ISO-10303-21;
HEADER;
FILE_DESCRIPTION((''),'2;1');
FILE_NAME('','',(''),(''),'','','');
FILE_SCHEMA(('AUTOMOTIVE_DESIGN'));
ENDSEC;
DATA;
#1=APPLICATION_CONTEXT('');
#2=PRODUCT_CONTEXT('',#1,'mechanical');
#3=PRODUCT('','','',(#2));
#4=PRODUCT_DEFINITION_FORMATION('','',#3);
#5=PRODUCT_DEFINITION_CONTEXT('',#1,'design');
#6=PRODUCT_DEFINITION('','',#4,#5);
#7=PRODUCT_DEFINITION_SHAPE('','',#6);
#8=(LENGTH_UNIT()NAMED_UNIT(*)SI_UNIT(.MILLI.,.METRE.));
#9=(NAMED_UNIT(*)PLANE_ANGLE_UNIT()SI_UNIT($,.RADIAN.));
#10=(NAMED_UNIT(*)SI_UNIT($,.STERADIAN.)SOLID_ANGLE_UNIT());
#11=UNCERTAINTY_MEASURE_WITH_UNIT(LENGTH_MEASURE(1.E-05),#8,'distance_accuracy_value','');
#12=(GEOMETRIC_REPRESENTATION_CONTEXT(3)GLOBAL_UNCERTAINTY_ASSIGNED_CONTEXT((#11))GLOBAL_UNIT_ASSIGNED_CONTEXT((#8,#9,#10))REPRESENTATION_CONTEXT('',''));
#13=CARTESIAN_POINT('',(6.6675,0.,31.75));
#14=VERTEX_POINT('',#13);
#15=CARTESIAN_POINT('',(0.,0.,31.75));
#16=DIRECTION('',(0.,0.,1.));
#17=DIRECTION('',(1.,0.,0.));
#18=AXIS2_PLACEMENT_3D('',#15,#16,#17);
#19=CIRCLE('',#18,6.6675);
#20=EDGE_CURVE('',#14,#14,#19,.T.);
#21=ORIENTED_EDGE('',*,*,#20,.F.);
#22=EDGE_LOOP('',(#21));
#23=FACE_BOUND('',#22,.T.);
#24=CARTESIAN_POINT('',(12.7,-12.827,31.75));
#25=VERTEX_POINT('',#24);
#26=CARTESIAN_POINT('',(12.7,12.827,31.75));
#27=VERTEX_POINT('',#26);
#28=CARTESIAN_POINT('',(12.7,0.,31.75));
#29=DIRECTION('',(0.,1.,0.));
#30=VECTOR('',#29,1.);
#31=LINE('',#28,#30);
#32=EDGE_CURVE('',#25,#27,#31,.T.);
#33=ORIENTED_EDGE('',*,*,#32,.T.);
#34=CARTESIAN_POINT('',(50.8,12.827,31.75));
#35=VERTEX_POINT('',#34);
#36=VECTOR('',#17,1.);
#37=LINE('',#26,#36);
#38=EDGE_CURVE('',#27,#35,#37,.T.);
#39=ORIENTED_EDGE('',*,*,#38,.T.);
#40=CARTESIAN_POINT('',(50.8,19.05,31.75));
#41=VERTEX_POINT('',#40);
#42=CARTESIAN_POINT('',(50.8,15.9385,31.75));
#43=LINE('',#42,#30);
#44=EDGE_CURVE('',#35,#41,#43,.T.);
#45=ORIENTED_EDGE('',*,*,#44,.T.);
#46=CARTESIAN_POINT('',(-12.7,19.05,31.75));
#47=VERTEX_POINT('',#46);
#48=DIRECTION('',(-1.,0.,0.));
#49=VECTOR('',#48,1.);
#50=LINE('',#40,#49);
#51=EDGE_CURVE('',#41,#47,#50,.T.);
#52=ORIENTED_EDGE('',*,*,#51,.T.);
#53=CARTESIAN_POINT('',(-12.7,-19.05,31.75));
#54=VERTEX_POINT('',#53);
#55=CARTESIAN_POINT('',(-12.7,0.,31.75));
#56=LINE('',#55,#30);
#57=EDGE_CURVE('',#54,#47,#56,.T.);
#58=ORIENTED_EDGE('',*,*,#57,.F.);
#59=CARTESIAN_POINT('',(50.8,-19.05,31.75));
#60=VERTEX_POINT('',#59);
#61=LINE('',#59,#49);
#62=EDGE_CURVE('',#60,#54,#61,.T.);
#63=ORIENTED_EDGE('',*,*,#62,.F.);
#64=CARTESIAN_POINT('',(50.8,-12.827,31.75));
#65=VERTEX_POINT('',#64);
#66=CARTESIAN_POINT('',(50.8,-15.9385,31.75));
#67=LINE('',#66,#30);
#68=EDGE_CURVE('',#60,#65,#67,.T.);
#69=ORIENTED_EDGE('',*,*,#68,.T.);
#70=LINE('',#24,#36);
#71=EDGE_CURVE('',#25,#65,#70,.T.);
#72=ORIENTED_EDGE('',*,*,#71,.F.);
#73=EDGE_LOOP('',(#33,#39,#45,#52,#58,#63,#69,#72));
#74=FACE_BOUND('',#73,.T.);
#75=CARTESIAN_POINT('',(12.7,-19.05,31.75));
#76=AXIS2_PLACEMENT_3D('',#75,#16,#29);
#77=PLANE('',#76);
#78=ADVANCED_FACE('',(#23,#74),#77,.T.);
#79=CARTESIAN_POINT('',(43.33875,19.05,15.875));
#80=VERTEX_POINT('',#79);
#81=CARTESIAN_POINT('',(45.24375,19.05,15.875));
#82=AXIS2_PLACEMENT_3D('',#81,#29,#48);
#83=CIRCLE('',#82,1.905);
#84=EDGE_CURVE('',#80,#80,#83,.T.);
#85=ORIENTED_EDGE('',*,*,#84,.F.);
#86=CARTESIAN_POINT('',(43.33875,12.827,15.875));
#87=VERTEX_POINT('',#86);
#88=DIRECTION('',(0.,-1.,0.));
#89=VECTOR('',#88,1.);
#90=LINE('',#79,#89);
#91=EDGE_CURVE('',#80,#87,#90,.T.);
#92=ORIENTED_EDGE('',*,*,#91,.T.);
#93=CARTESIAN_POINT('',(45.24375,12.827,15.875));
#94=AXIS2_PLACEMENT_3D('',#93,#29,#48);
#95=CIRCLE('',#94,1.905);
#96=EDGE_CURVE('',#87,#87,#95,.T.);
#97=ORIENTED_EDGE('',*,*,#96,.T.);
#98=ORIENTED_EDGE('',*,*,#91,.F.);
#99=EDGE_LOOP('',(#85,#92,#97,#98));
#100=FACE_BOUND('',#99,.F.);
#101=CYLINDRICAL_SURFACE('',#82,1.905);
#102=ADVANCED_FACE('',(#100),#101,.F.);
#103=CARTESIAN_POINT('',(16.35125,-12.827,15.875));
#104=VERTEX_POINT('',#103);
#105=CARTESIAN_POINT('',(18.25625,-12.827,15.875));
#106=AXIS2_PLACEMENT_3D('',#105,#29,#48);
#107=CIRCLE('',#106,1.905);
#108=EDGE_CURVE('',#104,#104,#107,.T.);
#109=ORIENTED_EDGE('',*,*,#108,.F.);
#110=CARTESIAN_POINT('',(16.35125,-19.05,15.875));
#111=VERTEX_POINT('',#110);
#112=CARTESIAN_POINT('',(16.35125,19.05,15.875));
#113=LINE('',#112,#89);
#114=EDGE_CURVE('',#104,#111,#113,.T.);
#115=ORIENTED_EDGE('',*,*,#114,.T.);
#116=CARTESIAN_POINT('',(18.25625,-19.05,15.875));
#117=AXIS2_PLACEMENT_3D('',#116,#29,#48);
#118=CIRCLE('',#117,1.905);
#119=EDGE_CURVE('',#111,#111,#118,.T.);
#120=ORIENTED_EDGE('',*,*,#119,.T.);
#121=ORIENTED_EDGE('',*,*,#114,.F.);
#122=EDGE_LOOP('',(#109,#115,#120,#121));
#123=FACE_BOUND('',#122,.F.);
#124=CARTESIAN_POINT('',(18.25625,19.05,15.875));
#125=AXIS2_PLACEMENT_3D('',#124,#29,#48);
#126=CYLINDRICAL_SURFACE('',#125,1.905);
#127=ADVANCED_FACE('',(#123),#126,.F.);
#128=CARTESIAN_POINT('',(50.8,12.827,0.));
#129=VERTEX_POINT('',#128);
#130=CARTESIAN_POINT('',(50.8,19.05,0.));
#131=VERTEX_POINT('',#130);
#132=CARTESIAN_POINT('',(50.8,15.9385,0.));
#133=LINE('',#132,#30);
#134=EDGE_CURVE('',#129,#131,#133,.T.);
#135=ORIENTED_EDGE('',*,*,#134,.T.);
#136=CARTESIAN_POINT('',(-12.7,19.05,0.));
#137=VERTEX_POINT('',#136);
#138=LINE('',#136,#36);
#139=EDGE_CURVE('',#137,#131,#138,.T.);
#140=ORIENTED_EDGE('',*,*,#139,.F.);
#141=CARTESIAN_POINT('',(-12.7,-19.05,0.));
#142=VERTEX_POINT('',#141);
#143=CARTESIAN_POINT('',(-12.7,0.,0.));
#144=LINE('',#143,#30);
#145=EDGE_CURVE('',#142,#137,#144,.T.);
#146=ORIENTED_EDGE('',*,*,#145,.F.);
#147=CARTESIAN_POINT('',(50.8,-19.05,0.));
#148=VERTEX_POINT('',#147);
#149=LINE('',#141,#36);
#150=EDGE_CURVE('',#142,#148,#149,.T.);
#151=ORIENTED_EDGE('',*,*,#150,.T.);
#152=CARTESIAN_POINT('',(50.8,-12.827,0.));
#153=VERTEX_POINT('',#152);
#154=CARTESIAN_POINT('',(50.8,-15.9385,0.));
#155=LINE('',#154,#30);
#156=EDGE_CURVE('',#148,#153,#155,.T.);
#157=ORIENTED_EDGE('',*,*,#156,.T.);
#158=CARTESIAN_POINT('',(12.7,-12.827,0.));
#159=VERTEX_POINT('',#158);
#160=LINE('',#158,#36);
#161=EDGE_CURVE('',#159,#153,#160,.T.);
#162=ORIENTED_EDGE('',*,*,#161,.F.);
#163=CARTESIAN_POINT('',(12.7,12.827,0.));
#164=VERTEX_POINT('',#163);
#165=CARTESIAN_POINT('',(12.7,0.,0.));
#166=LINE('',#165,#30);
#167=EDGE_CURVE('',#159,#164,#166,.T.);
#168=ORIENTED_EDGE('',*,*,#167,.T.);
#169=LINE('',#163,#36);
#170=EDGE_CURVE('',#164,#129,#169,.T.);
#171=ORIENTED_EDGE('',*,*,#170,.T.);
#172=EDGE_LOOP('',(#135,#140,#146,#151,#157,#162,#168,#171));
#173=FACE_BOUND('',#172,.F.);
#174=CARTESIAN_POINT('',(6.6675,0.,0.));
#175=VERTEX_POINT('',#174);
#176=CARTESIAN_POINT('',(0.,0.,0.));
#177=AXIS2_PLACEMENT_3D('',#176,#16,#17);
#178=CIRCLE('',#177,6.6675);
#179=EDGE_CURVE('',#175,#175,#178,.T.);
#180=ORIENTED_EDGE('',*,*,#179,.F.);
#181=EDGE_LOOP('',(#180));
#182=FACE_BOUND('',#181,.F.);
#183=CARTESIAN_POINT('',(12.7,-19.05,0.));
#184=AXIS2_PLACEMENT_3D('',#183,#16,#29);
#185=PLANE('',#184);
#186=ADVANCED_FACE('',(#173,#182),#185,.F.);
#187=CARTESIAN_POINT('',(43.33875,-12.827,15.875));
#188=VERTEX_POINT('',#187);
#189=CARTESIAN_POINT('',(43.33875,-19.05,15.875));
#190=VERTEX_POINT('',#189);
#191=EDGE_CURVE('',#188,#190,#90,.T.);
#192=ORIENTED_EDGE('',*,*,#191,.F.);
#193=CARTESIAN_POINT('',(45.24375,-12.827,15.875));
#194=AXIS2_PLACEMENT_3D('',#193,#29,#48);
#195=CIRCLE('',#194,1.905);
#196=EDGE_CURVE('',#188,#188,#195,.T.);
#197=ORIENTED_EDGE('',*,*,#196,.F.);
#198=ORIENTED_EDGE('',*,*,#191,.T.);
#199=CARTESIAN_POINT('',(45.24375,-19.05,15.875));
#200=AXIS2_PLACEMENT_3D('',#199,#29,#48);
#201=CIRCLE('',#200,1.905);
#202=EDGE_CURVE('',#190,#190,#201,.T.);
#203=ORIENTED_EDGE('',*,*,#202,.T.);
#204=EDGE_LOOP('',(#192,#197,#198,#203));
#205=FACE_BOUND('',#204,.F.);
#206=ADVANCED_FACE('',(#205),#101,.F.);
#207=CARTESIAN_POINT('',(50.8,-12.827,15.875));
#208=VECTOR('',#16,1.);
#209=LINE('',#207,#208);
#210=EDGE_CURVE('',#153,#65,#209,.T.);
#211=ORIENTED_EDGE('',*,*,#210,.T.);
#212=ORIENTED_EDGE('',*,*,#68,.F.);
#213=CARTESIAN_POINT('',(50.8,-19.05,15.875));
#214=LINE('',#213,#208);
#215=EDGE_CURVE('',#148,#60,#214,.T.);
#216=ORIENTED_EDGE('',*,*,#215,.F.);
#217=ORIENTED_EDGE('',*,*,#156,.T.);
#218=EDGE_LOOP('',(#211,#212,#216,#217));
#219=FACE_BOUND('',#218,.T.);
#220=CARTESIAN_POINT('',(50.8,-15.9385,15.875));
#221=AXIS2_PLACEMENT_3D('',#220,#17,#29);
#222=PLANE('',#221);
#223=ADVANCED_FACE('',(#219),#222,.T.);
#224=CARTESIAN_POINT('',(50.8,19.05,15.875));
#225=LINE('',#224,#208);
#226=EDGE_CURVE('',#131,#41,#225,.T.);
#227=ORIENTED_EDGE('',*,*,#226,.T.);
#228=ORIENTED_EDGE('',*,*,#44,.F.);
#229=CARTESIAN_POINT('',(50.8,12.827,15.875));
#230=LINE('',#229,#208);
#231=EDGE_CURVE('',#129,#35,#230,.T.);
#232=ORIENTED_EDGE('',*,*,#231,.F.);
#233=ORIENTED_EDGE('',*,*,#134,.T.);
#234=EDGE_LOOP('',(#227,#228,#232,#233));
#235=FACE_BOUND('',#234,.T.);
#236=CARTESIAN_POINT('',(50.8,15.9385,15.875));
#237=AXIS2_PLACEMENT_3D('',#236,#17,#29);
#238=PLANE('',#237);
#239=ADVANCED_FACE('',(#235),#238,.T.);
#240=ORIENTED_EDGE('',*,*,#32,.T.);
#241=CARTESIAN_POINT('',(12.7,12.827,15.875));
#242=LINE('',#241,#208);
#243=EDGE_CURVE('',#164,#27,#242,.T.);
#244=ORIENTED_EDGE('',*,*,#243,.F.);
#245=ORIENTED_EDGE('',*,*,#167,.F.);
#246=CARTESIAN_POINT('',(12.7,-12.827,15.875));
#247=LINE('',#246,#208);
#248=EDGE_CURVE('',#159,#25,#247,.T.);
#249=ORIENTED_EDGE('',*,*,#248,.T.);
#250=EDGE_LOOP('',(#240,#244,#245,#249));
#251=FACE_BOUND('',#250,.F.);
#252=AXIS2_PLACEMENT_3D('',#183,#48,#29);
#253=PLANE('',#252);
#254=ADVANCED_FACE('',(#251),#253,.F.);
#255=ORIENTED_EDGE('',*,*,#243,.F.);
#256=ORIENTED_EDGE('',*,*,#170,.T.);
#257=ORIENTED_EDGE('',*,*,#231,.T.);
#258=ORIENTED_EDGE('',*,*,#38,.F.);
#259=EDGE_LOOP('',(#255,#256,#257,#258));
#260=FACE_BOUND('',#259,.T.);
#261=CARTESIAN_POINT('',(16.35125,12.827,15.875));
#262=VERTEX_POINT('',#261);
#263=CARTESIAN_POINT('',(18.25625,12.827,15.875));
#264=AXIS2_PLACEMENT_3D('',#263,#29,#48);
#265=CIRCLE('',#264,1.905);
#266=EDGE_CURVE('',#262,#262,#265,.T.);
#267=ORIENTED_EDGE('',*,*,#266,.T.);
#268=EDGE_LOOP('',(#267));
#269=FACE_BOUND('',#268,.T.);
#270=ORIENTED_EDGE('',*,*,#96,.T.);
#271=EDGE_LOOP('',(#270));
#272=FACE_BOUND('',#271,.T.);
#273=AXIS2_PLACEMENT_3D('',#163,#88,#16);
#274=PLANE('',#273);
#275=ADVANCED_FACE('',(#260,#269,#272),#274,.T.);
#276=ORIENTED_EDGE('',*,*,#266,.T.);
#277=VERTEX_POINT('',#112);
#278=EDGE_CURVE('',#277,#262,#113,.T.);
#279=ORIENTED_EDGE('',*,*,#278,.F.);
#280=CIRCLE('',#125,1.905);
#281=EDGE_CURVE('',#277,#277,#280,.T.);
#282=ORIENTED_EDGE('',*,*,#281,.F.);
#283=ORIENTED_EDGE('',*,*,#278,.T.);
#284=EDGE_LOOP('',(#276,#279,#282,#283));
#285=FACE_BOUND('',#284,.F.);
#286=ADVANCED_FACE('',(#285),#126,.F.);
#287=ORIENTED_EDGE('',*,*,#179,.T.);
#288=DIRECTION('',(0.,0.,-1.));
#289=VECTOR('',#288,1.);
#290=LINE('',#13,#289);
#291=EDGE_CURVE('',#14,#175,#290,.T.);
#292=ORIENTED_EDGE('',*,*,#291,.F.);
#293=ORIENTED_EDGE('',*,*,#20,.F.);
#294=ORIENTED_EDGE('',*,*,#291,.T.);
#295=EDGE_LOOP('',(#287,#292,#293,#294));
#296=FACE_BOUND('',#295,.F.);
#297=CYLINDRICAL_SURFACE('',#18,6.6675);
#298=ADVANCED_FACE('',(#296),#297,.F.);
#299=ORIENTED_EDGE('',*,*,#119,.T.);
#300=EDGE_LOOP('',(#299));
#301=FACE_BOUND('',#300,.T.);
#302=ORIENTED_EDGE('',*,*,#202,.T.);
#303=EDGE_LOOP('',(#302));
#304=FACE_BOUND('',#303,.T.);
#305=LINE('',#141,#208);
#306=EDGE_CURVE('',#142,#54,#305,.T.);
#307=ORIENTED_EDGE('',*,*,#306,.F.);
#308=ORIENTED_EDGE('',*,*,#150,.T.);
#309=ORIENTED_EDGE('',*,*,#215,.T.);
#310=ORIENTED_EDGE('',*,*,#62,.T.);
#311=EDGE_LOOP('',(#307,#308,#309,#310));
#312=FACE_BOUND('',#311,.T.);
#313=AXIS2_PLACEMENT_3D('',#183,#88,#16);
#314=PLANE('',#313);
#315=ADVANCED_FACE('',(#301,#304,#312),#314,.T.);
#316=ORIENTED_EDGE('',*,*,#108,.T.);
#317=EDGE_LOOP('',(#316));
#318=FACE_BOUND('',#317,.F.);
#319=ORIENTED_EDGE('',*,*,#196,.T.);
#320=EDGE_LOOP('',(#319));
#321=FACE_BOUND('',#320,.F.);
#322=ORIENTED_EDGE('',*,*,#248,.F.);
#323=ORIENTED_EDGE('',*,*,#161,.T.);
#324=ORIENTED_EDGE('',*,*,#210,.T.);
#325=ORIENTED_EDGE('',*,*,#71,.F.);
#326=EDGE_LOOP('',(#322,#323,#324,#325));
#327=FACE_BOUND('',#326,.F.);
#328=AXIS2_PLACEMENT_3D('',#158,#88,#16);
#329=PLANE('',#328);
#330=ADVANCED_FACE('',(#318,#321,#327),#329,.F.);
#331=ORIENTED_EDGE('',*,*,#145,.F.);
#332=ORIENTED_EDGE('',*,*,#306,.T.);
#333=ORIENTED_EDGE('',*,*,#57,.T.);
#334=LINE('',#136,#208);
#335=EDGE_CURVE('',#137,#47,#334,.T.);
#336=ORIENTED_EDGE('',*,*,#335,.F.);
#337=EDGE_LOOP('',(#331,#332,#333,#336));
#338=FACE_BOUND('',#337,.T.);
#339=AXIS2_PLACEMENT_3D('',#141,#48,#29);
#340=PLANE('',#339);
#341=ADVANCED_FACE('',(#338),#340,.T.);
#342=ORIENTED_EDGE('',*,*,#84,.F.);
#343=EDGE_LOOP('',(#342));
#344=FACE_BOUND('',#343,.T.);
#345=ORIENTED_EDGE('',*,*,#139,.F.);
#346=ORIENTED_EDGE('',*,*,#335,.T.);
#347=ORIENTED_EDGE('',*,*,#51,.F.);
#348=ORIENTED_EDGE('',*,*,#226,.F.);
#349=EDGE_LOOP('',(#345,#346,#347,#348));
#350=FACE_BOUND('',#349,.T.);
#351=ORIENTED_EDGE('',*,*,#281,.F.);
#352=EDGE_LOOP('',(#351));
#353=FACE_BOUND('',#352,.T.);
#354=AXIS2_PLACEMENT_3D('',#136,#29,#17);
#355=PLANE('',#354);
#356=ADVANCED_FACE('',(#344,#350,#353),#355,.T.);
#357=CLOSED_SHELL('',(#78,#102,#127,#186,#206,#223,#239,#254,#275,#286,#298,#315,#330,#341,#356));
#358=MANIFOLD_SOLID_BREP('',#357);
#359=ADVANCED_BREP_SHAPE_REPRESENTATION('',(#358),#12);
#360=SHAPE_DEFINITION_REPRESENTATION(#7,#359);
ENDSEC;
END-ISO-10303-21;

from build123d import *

# Parameters (mm, degrees)
F0_W     = 25.4
F0_H     = 38.1
F1_DEPTH = 31.75
F2_W     = 6.223
F2_H     = 31.75
F3_DEPTH = 38.1
F4_R     = 6.6675
F5_DEPTH = 31.751
F6_R     = 1.905
F7_DEPTH = 38.101


with BuildPart() as f1:
    # F0 (on Top) → F1 (new body)
    with BuildSketch(Plane.XY):
        Rectangle(F0_W, F0_H)
    extrude(amount=F1_DEPTH)

    # F2 (on face) → F3 (join)
    with BuildSketch(Plane.YZ.offset(12.7)):
        with Locations((-15.9385, 15.875)):
            Rectangle(F2_W, F2_H)
        with Locations((15.9385, 15.875)):
            Rectangle(F2_W, F2_H)
    extrude(amount=F3_DEPTH)

    # F4 (on face) → F5 (cut, through all)
    with BuildSketch(Plane.XY.offset(31.75)):
        Circle(F4_R)
    extrude(amount=-F5_DEPTH, mode=Mode.SUBTRACT)

    # F6 (on face) → F7 (cut, through all)
    with BuildSketch(Plane(origin=(0, 19.05, 0), x_dir=(-1, 0, 0), z_dir=(0, 1, 0))):
        with Locations((-45.24375, 15.875)):
            Circle(F6_R)
        with Locations((-18.25625, 15.875)):
            Circle(F6_R)
    extrude(amount=-F7_DEPTH, mode=Mode.SUBTRACT)


solid = f1.part
